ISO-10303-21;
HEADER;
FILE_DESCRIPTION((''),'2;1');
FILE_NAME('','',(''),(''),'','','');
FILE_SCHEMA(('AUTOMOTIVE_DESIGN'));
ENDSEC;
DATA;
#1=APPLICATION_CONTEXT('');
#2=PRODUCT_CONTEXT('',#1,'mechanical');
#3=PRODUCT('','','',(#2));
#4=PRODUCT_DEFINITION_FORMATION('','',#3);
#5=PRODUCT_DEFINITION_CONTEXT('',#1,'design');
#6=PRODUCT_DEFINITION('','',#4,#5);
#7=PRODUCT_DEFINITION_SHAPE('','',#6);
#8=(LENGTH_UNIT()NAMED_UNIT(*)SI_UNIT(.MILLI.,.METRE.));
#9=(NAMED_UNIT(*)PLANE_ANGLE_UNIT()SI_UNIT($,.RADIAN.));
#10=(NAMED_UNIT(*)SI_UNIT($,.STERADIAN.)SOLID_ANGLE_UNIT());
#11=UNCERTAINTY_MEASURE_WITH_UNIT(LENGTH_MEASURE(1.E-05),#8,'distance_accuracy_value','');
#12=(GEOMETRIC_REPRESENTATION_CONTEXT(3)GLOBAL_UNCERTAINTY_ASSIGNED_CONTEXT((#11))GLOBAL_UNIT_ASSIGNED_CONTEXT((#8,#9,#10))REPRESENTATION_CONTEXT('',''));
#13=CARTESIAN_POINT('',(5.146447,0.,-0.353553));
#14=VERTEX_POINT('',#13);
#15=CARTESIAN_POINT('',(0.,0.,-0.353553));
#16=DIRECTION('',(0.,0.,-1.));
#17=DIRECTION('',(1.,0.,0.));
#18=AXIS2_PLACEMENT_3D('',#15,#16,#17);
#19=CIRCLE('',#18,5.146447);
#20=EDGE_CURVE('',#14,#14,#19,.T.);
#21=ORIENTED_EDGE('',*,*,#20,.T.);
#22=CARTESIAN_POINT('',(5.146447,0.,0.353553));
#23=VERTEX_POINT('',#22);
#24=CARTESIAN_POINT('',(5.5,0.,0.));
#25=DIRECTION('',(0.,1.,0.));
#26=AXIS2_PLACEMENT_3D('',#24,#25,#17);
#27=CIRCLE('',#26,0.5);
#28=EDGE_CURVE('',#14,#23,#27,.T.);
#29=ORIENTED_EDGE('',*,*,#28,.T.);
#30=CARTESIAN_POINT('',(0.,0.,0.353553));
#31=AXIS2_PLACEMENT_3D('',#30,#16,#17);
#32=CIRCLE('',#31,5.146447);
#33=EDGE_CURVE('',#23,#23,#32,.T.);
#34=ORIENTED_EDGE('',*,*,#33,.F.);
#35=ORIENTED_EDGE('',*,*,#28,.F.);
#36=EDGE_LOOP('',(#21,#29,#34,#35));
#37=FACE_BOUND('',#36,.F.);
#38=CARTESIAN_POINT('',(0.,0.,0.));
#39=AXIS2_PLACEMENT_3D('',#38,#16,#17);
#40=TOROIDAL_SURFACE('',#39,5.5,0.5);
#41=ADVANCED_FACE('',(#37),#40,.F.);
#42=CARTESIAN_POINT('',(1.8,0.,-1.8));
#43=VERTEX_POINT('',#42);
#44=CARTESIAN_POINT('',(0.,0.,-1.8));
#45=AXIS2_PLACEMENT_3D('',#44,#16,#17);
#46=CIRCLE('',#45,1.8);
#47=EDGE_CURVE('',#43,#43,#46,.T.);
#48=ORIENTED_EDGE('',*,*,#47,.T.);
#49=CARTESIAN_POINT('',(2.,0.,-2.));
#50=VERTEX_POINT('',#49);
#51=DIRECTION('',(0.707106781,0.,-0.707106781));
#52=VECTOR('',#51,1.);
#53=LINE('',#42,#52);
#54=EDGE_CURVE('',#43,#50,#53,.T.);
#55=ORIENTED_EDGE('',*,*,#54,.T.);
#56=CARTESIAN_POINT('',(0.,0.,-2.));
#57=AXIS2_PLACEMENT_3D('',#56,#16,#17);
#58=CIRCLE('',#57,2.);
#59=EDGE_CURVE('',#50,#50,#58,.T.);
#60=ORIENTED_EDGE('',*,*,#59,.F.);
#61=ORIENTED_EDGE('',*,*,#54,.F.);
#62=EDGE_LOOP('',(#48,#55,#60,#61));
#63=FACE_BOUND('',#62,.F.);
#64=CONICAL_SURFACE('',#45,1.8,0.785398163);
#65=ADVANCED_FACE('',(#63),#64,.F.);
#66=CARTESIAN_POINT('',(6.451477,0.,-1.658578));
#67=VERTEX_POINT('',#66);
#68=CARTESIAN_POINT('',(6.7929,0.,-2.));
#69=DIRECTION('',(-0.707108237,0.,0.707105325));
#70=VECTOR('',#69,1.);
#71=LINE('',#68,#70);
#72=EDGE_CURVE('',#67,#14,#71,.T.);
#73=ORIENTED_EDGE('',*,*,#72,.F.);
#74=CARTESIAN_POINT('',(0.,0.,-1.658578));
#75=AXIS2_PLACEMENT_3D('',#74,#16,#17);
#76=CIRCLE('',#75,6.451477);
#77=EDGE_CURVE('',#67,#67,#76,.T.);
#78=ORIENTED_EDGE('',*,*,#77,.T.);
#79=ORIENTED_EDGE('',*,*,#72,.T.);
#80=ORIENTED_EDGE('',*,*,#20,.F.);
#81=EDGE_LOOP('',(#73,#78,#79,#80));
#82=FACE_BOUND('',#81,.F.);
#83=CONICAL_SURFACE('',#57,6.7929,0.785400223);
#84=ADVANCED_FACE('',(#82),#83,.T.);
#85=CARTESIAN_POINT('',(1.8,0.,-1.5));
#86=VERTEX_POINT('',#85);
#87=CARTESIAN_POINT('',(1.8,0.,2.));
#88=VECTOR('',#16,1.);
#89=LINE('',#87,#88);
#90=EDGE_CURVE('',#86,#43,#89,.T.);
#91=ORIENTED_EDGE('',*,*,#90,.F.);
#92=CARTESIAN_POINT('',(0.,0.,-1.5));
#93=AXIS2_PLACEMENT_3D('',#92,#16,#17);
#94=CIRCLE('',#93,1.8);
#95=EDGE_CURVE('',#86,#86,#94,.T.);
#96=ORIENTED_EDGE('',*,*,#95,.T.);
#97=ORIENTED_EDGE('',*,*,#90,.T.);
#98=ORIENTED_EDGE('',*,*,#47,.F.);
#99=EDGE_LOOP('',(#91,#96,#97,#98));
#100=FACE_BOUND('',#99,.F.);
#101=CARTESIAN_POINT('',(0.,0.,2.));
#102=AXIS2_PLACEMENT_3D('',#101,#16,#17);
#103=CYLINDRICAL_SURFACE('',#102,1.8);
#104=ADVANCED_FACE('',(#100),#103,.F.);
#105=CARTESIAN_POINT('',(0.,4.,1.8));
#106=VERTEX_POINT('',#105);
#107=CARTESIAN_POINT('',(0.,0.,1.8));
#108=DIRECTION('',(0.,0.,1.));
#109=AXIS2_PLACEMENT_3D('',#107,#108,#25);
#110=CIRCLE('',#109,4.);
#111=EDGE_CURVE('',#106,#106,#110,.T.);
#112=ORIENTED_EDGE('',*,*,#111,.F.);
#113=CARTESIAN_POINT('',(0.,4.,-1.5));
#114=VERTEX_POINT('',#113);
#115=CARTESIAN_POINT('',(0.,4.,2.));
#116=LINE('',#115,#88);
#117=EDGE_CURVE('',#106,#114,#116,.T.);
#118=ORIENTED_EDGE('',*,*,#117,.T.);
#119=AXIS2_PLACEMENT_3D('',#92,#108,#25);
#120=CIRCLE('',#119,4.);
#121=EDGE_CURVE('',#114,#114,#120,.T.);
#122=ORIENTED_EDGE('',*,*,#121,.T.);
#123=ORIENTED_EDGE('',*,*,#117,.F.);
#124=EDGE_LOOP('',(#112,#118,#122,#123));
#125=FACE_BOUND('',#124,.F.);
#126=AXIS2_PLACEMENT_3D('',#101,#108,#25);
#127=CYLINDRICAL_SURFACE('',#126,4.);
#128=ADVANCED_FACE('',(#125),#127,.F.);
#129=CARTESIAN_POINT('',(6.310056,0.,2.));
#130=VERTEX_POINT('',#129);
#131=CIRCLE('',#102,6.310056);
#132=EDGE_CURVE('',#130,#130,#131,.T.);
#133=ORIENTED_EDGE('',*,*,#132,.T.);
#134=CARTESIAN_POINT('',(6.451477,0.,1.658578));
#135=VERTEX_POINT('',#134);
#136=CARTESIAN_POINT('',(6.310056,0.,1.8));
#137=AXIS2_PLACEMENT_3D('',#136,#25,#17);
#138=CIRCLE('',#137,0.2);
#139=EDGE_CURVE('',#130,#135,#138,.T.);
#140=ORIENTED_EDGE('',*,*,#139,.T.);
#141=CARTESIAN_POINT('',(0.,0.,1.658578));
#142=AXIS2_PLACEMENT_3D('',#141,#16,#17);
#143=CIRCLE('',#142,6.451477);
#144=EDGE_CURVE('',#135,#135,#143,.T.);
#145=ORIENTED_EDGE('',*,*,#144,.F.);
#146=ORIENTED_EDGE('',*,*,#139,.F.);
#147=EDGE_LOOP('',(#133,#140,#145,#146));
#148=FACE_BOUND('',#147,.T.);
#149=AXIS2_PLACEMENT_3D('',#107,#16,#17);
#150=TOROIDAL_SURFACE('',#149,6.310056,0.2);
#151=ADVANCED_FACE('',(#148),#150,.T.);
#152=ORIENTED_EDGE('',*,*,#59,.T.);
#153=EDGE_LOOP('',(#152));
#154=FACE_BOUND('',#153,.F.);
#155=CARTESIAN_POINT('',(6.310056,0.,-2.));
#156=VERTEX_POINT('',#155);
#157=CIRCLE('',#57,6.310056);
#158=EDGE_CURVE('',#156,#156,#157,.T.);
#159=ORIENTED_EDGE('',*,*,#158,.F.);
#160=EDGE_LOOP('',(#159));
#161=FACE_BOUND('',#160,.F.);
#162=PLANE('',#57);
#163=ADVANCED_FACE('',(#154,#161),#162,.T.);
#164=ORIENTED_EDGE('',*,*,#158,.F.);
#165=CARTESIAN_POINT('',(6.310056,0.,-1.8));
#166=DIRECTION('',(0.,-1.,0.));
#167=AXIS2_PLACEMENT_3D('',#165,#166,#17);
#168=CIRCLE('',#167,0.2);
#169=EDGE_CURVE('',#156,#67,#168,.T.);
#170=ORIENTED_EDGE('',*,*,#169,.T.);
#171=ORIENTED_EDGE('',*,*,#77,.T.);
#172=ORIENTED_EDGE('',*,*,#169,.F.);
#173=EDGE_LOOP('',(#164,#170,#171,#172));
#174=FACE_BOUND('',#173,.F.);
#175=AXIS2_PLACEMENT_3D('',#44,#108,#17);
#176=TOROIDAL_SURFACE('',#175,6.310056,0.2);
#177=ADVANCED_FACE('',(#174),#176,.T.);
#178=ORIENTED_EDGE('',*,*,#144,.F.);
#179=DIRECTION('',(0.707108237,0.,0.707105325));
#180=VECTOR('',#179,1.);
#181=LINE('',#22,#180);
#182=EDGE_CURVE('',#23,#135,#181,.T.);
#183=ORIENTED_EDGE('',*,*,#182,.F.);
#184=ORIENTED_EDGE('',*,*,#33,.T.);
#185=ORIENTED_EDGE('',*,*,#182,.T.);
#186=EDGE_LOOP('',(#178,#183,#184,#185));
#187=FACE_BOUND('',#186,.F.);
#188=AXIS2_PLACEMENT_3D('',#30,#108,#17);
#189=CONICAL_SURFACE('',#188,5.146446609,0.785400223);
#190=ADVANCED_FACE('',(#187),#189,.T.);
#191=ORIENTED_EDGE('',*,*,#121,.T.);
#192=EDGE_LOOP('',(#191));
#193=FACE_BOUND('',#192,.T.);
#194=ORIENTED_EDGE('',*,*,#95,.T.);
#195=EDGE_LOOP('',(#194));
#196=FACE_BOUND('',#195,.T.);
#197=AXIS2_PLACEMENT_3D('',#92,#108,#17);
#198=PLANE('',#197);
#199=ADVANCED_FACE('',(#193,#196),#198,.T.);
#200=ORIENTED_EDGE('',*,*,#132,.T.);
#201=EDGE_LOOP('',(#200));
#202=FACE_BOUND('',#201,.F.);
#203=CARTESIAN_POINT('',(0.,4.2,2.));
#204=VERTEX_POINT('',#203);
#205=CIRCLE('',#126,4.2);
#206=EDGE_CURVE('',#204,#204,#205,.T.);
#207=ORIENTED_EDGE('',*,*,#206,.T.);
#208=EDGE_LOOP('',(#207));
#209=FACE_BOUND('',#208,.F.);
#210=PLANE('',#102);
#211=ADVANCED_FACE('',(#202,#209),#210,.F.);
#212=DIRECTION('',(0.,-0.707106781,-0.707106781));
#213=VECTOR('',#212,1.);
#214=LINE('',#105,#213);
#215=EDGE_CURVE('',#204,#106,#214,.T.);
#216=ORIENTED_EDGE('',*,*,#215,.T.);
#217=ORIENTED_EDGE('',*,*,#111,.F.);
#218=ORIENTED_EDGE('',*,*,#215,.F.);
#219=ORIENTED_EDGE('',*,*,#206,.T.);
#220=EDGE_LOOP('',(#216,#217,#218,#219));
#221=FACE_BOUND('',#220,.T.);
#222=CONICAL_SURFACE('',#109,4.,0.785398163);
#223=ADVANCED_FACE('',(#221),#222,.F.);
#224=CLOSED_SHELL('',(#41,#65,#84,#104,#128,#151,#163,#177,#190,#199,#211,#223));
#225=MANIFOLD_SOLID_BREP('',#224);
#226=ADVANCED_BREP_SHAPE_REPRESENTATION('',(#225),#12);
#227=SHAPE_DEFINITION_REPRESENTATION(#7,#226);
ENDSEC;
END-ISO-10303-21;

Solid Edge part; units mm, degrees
sketch "Sketch1" plane through (0, 0, 0) normal (0, -1, 0) x (1, 0, 0)
  line L0 (6.7929, 2) -> (1.8, 2)
  line L1 (1.8, 2) -> (1.8, -2)
  line L2 (1.8, -2) -> (6.7929, -2)
  line L3 (6.7929, -2) -> (5.1464, -0.3536)
  line L4 (5.1464, 0.3536) -> (6.7929, 2)
  arc A0 (5.1464, -0.3536) -> (5.1464, 0.3536) centre (5.5, 0) cw
revolve "RevolvedProtrusion1" add sketch "Sketch1" angle 360 about axis through (0, 0, 2) along (0, 0, -1)
fillet "Round1" radius 0.2 2 edges at (-6.7929, 0, 2) (-6.7929, 0, -2)
sketch "Sketch2" plane through (0, 0, 2) normal (0, 0, 1) x (0, 1, 0)
  circle A0 centre (0, 0) radius 4
extrude "VaciadoExtruido_2" cut sketch "Sketch2" against normal blind 3.5
chamfer "Chaflán_1" distance 0.2 angle 45 2 edges at (0, -4, 2) (-1.8, 0, -2)
